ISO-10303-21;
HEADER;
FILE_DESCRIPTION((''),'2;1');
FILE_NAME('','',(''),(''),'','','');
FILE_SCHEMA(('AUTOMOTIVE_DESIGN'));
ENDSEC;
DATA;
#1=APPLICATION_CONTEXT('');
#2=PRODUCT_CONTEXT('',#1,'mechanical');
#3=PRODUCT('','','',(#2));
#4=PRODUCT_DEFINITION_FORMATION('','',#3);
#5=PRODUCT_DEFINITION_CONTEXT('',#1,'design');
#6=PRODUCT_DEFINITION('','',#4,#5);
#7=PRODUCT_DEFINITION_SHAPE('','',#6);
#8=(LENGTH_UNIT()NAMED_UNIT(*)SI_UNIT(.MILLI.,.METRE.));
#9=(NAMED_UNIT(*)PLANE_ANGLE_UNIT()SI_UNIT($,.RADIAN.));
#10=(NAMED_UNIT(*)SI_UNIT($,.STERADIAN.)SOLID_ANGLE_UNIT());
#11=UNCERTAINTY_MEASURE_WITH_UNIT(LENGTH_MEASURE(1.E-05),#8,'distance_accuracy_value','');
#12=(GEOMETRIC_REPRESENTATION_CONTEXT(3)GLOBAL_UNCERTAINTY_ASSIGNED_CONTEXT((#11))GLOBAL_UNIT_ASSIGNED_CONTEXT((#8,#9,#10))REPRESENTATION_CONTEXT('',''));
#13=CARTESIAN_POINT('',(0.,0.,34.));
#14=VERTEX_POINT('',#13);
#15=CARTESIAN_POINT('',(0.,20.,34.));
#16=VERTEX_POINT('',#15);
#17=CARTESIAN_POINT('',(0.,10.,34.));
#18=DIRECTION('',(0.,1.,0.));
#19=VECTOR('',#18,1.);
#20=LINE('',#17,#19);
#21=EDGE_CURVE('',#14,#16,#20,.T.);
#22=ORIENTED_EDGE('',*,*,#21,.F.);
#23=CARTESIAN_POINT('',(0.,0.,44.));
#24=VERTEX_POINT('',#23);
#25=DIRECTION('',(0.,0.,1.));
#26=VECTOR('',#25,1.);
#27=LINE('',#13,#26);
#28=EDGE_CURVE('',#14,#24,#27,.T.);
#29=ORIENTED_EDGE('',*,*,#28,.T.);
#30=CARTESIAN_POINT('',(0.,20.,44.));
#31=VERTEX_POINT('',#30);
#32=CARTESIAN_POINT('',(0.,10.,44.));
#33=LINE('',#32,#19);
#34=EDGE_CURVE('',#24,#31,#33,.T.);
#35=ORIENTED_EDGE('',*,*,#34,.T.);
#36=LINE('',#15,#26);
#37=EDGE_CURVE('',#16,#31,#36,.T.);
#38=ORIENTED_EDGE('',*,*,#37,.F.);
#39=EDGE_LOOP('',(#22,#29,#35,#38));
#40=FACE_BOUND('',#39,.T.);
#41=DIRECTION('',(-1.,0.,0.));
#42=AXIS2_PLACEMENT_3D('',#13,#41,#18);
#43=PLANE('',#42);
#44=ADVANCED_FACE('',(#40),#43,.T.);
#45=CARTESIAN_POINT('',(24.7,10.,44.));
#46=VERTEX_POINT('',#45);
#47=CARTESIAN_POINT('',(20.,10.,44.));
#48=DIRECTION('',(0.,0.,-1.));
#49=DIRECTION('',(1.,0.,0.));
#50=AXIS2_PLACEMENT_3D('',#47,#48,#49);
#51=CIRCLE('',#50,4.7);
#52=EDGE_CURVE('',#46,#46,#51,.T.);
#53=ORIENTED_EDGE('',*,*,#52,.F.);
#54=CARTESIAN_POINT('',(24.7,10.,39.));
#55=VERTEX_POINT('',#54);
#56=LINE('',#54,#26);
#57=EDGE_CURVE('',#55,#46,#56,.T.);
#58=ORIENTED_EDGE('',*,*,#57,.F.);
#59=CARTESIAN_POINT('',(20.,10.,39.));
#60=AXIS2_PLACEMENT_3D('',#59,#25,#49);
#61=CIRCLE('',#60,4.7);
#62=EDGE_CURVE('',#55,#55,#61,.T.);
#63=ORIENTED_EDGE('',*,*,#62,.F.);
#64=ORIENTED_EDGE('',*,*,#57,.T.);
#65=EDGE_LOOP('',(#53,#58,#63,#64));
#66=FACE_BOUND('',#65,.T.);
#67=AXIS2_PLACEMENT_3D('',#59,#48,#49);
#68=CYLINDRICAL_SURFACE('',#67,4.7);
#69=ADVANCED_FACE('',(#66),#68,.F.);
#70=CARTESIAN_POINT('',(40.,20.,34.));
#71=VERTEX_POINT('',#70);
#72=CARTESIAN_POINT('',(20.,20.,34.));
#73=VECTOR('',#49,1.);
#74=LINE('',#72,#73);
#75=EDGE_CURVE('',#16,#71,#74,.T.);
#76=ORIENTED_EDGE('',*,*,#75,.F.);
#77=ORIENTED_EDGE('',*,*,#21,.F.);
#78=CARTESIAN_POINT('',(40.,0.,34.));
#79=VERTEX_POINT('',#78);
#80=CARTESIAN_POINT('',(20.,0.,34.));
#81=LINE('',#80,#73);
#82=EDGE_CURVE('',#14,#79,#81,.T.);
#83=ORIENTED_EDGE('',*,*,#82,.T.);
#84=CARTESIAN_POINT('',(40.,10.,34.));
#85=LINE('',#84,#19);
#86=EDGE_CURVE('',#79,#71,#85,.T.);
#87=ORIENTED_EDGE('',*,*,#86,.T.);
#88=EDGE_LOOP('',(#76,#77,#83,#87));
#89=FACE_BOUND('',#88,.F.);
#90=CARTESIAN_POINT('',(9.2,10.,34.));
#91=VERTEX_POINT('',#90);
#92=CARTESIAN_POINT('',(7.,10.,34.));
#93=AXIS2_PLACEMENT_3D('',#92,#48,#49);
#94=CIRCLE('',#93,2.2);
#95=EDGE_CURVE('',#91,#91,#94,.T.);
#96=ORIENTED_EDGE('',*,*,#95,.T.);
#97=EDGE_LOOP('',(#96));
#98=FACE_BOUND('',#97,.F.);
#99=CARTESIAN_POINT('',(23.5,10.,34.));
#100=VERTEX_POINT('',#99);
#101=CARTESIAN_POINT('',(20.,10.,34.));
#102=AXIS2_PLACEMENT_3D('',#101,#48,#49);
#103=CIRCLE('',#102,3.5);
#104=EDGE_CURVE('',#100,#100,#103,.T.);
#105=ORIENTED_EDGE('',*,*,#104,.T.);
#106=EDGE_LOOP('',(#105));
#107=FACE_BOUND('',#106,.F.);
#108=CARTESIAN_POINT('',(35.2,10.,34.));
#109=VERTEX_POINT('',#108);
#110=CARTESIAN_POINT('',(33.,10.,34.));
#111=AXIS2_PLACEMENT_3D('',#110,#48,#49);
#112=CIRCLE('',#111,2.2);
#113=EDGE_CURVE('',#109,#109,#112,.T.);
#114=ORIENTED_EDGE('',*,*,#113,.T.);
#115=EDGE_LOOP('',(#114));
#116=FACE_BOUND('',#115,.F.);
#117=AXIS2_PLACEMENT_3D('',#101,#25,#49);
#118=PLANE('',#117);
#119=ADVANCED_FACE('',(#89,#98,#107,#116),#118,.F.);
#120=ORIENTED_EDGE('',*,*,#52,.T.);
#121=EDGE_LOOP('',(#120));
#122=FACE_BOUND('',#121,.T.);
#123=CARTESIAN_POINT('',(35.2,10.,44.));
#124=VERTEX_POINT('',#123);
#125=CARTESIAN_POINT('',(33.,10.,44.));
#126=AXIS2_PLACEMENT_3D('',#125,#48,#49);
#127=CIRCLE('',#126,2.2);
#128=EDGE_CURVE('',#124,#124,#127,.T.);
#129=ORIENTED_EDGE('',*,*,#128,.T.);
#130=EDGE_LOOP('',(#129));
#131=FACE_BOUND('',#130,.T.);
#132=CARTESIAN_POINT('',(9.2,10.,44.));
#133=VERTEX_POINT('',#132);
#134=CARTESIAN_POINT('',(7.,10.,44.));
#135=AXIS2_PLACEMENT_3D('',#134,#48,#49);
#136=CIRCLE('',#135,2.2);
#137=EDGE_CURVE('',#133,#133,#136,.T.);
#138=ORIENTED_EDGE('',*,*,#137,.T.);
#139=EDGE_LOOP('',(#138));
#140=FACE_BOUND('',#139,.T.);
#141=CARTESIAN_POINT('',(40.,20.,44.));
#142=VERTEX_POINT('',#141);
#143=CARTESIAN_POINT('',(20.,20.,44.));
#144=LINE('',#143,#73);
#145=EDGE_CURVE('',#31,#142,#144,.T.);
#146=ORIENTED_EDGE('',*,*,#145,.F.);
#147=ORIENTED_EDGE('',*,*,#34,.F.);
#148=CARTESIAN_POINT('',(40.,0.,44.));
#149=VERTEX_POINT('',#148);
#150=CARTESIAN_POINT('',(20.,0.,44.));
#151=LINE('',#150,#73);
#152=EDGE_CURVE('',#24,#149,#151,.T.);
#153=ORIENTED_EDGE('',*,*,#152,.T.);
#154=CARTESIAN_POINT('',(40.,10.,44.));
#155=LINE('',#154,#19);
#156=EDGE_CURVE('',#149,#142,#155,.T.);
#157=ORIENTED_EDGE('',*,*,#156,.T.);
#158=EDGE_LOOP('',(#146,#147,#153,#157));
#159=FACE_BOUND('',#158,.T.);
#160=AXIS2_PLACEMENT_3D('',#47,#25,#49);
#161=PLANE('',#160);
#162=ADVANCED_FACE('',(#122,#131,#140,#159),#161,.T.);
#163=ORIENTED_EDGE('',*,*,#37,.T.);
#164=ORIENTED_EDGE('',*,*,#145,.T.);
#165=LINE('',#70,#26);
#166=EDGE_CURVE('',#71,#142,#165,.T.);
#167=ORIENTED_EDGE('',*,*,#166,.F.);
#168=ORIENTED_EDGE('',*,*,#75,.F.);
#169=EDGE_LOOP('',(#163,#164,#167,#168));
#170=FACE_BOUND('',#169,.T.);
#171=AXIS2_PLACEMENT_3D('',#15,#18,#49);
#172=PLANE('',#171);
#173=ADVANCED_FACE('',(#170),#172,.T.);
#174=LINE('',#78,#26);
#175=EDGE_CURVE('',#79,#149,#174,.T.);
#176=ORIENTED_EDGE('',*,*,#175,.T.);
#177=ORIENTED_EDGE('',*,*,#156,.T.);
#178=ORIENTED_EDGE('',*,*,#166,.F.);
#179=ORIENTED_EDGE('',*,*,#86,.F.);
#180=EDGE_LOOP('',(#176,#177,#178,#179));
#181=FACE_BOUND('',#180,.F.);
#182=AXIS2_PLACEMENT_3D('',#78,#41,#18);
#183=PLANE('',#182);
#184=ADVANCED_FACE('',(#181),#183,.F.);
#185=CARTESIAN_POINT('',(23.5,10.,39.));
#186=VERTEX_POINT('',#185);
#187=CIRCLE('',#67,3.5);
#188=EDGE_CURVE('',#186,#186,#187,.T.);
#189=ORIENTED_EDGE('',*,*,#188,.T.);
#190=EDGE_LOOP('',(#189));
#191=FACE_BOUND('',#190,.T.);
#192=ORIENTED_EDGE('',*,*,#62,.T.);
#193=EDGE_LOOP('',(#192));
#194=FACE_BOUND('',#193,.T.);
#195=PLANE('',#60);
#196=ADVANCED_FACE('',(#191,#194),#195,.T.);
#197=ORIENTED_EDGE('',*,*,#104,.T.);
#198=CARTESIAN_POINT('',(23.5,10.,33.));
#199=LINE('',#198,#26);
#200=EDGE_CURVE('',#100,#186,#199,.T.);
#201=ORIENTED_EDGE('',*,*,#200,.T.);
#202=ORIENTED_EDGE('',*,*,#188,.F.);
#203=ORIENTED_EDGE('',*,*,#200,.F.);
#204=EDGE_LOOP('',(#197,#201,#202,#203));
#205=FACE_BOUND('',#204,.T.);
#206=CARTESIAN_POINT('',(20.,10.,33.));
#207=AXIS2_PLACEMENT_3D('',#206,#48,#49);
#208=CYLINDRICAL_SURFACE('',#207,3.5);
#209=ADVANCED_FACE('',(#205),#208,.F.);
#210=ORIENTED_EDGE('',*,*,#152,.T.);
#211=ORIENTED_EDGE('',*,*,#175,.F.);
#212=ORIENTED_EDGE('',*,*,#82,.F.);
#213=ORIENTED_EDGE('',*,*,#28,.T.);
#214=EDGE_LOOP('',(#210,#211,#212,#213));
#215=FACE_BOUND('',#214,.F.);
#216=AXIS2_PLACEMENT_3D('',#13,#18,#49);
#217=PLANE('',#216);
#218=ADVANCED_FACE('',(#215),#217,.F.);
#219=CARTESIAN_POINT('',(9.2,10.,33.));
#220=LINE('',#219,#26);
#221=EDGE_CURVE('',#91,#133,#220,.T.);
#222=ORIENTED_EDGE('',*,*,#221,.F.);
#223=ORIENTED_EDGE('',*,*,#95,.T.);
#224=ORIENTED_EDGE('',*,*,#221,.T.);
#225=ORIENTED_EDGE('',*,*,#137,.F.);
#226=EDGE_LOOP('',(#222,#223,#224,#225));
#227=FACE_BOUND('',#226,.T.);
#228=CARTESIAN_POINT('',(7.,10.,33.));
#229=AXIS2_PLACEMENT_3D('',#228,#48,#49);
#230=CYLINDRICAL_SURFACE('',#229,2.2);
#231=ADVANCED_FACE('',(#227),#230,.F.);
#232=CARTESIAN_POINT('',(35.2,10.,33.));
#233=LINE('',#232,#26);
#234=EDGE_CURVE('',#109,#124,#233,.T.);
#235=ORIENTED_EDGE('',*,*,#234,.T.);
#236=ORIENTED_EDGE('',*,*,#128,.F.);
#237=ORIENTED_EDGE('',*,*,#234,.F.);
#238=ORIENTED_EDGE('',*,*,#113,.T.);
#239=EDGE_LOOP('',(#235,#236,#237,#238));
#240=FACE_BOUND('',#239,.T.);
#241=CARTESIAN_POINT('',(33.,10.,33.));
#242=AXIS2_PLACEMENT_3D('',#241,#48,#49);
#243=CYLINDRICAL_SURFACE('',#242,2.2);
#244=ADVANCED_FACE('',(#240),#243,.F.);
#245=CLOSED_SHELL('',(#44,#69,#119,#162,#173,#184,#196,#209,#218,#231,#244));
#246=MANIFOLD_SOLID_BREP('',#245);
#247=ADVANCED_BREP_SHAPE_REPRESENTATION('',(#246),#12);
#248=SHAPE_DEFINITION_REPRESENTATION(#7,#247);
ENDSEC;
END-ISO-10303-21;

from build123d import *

# Parameters (mm, degrees)
CYLINDER007_R     = 2.2
CYLINDER007_DEPTH = 15
CYLINDER006_R     = 2.2
CYLINDER006_DEPTH = 15
CYLINDER005_R     = 4.7
CYLINDER005_DEPTH = 15
CYLINDER004_R     = 3.5
CYLINDER004_DEPTH = 15
BOX001006_W       = 40
BOX001006_H       = 20
BOX001006_DEPTH   = 10


with BuildPart() as cylinder007:
    # Cylinder007 → Cylinder007 (new body)
    with BuildSketch(Plane(origin=(33, 10, -1), x_dir=(1, 0, 0), z_dir=(0, 0, 1))):
        Circle(CYLINDER007_R)
    extrude(amount=CYLINDER007_DEPTH)


with BuildPart() as fusion004:
    # Cylinder006 → Cylinder006 (new body)
    with BuildSketch(Plane(origin=(7, 10, -1), x_dir=(1, 0, 0), z_dir=(0, 0, 1))):
        Circle(CYLINDER006_R)
    extrude(amount=CYLINDER006_DEPTH)

    # Fusion004: union Cylinder007
    add(cylinder007.part)


with BuildPart() as cylinder005:
    # Cylinder005 → Cylinder005 (new body)
    with BuildSketch(Plane(origin=(20, 10, 5), x_dir=(1, 0, 0), z_dir=(0, 0, 1))):
        Circle(CYLINDER005_R)
    extrude(amount=CYLINDER005_DEPTH)


with BuildPart() as fusion003:
    # Cylinder004 → Cylinder004 (new body)
    with BuildSketch(Plane(origin=(20, 10, -1), x_dir=(1, 0, 0), z_dir=(0, 0, 1))):
        Circle(CYLINDER004_R)
    extrude(amount=CYLINDER004_DEPTH)

    # Fusion003: union Cylinder005
    add(cylinder005.part)


with BuildPart() as cut004:
    # Box001006 → Box001006 (new body)
    with BuildSketch(Plane.XY):
        with Locations((20, 10)):
            Rectangle(BOX001006_W, BOX001006_H)
    extrude(amount=BOX001006_DEPTH)

    # Cut003: cut Fusion003
    add(fusion003.part, mode=Mode.SUBTRACT)

    # Cut004: cut Fusion004
    add(fusion004.part, mode=Mode.SUBTRACT)


with BuildPart() as cut004_1:
    # Cut004 placement: moved
    add(cut004.part.moved(Location((0, 0, 34))))


solid = cut004_1.part
